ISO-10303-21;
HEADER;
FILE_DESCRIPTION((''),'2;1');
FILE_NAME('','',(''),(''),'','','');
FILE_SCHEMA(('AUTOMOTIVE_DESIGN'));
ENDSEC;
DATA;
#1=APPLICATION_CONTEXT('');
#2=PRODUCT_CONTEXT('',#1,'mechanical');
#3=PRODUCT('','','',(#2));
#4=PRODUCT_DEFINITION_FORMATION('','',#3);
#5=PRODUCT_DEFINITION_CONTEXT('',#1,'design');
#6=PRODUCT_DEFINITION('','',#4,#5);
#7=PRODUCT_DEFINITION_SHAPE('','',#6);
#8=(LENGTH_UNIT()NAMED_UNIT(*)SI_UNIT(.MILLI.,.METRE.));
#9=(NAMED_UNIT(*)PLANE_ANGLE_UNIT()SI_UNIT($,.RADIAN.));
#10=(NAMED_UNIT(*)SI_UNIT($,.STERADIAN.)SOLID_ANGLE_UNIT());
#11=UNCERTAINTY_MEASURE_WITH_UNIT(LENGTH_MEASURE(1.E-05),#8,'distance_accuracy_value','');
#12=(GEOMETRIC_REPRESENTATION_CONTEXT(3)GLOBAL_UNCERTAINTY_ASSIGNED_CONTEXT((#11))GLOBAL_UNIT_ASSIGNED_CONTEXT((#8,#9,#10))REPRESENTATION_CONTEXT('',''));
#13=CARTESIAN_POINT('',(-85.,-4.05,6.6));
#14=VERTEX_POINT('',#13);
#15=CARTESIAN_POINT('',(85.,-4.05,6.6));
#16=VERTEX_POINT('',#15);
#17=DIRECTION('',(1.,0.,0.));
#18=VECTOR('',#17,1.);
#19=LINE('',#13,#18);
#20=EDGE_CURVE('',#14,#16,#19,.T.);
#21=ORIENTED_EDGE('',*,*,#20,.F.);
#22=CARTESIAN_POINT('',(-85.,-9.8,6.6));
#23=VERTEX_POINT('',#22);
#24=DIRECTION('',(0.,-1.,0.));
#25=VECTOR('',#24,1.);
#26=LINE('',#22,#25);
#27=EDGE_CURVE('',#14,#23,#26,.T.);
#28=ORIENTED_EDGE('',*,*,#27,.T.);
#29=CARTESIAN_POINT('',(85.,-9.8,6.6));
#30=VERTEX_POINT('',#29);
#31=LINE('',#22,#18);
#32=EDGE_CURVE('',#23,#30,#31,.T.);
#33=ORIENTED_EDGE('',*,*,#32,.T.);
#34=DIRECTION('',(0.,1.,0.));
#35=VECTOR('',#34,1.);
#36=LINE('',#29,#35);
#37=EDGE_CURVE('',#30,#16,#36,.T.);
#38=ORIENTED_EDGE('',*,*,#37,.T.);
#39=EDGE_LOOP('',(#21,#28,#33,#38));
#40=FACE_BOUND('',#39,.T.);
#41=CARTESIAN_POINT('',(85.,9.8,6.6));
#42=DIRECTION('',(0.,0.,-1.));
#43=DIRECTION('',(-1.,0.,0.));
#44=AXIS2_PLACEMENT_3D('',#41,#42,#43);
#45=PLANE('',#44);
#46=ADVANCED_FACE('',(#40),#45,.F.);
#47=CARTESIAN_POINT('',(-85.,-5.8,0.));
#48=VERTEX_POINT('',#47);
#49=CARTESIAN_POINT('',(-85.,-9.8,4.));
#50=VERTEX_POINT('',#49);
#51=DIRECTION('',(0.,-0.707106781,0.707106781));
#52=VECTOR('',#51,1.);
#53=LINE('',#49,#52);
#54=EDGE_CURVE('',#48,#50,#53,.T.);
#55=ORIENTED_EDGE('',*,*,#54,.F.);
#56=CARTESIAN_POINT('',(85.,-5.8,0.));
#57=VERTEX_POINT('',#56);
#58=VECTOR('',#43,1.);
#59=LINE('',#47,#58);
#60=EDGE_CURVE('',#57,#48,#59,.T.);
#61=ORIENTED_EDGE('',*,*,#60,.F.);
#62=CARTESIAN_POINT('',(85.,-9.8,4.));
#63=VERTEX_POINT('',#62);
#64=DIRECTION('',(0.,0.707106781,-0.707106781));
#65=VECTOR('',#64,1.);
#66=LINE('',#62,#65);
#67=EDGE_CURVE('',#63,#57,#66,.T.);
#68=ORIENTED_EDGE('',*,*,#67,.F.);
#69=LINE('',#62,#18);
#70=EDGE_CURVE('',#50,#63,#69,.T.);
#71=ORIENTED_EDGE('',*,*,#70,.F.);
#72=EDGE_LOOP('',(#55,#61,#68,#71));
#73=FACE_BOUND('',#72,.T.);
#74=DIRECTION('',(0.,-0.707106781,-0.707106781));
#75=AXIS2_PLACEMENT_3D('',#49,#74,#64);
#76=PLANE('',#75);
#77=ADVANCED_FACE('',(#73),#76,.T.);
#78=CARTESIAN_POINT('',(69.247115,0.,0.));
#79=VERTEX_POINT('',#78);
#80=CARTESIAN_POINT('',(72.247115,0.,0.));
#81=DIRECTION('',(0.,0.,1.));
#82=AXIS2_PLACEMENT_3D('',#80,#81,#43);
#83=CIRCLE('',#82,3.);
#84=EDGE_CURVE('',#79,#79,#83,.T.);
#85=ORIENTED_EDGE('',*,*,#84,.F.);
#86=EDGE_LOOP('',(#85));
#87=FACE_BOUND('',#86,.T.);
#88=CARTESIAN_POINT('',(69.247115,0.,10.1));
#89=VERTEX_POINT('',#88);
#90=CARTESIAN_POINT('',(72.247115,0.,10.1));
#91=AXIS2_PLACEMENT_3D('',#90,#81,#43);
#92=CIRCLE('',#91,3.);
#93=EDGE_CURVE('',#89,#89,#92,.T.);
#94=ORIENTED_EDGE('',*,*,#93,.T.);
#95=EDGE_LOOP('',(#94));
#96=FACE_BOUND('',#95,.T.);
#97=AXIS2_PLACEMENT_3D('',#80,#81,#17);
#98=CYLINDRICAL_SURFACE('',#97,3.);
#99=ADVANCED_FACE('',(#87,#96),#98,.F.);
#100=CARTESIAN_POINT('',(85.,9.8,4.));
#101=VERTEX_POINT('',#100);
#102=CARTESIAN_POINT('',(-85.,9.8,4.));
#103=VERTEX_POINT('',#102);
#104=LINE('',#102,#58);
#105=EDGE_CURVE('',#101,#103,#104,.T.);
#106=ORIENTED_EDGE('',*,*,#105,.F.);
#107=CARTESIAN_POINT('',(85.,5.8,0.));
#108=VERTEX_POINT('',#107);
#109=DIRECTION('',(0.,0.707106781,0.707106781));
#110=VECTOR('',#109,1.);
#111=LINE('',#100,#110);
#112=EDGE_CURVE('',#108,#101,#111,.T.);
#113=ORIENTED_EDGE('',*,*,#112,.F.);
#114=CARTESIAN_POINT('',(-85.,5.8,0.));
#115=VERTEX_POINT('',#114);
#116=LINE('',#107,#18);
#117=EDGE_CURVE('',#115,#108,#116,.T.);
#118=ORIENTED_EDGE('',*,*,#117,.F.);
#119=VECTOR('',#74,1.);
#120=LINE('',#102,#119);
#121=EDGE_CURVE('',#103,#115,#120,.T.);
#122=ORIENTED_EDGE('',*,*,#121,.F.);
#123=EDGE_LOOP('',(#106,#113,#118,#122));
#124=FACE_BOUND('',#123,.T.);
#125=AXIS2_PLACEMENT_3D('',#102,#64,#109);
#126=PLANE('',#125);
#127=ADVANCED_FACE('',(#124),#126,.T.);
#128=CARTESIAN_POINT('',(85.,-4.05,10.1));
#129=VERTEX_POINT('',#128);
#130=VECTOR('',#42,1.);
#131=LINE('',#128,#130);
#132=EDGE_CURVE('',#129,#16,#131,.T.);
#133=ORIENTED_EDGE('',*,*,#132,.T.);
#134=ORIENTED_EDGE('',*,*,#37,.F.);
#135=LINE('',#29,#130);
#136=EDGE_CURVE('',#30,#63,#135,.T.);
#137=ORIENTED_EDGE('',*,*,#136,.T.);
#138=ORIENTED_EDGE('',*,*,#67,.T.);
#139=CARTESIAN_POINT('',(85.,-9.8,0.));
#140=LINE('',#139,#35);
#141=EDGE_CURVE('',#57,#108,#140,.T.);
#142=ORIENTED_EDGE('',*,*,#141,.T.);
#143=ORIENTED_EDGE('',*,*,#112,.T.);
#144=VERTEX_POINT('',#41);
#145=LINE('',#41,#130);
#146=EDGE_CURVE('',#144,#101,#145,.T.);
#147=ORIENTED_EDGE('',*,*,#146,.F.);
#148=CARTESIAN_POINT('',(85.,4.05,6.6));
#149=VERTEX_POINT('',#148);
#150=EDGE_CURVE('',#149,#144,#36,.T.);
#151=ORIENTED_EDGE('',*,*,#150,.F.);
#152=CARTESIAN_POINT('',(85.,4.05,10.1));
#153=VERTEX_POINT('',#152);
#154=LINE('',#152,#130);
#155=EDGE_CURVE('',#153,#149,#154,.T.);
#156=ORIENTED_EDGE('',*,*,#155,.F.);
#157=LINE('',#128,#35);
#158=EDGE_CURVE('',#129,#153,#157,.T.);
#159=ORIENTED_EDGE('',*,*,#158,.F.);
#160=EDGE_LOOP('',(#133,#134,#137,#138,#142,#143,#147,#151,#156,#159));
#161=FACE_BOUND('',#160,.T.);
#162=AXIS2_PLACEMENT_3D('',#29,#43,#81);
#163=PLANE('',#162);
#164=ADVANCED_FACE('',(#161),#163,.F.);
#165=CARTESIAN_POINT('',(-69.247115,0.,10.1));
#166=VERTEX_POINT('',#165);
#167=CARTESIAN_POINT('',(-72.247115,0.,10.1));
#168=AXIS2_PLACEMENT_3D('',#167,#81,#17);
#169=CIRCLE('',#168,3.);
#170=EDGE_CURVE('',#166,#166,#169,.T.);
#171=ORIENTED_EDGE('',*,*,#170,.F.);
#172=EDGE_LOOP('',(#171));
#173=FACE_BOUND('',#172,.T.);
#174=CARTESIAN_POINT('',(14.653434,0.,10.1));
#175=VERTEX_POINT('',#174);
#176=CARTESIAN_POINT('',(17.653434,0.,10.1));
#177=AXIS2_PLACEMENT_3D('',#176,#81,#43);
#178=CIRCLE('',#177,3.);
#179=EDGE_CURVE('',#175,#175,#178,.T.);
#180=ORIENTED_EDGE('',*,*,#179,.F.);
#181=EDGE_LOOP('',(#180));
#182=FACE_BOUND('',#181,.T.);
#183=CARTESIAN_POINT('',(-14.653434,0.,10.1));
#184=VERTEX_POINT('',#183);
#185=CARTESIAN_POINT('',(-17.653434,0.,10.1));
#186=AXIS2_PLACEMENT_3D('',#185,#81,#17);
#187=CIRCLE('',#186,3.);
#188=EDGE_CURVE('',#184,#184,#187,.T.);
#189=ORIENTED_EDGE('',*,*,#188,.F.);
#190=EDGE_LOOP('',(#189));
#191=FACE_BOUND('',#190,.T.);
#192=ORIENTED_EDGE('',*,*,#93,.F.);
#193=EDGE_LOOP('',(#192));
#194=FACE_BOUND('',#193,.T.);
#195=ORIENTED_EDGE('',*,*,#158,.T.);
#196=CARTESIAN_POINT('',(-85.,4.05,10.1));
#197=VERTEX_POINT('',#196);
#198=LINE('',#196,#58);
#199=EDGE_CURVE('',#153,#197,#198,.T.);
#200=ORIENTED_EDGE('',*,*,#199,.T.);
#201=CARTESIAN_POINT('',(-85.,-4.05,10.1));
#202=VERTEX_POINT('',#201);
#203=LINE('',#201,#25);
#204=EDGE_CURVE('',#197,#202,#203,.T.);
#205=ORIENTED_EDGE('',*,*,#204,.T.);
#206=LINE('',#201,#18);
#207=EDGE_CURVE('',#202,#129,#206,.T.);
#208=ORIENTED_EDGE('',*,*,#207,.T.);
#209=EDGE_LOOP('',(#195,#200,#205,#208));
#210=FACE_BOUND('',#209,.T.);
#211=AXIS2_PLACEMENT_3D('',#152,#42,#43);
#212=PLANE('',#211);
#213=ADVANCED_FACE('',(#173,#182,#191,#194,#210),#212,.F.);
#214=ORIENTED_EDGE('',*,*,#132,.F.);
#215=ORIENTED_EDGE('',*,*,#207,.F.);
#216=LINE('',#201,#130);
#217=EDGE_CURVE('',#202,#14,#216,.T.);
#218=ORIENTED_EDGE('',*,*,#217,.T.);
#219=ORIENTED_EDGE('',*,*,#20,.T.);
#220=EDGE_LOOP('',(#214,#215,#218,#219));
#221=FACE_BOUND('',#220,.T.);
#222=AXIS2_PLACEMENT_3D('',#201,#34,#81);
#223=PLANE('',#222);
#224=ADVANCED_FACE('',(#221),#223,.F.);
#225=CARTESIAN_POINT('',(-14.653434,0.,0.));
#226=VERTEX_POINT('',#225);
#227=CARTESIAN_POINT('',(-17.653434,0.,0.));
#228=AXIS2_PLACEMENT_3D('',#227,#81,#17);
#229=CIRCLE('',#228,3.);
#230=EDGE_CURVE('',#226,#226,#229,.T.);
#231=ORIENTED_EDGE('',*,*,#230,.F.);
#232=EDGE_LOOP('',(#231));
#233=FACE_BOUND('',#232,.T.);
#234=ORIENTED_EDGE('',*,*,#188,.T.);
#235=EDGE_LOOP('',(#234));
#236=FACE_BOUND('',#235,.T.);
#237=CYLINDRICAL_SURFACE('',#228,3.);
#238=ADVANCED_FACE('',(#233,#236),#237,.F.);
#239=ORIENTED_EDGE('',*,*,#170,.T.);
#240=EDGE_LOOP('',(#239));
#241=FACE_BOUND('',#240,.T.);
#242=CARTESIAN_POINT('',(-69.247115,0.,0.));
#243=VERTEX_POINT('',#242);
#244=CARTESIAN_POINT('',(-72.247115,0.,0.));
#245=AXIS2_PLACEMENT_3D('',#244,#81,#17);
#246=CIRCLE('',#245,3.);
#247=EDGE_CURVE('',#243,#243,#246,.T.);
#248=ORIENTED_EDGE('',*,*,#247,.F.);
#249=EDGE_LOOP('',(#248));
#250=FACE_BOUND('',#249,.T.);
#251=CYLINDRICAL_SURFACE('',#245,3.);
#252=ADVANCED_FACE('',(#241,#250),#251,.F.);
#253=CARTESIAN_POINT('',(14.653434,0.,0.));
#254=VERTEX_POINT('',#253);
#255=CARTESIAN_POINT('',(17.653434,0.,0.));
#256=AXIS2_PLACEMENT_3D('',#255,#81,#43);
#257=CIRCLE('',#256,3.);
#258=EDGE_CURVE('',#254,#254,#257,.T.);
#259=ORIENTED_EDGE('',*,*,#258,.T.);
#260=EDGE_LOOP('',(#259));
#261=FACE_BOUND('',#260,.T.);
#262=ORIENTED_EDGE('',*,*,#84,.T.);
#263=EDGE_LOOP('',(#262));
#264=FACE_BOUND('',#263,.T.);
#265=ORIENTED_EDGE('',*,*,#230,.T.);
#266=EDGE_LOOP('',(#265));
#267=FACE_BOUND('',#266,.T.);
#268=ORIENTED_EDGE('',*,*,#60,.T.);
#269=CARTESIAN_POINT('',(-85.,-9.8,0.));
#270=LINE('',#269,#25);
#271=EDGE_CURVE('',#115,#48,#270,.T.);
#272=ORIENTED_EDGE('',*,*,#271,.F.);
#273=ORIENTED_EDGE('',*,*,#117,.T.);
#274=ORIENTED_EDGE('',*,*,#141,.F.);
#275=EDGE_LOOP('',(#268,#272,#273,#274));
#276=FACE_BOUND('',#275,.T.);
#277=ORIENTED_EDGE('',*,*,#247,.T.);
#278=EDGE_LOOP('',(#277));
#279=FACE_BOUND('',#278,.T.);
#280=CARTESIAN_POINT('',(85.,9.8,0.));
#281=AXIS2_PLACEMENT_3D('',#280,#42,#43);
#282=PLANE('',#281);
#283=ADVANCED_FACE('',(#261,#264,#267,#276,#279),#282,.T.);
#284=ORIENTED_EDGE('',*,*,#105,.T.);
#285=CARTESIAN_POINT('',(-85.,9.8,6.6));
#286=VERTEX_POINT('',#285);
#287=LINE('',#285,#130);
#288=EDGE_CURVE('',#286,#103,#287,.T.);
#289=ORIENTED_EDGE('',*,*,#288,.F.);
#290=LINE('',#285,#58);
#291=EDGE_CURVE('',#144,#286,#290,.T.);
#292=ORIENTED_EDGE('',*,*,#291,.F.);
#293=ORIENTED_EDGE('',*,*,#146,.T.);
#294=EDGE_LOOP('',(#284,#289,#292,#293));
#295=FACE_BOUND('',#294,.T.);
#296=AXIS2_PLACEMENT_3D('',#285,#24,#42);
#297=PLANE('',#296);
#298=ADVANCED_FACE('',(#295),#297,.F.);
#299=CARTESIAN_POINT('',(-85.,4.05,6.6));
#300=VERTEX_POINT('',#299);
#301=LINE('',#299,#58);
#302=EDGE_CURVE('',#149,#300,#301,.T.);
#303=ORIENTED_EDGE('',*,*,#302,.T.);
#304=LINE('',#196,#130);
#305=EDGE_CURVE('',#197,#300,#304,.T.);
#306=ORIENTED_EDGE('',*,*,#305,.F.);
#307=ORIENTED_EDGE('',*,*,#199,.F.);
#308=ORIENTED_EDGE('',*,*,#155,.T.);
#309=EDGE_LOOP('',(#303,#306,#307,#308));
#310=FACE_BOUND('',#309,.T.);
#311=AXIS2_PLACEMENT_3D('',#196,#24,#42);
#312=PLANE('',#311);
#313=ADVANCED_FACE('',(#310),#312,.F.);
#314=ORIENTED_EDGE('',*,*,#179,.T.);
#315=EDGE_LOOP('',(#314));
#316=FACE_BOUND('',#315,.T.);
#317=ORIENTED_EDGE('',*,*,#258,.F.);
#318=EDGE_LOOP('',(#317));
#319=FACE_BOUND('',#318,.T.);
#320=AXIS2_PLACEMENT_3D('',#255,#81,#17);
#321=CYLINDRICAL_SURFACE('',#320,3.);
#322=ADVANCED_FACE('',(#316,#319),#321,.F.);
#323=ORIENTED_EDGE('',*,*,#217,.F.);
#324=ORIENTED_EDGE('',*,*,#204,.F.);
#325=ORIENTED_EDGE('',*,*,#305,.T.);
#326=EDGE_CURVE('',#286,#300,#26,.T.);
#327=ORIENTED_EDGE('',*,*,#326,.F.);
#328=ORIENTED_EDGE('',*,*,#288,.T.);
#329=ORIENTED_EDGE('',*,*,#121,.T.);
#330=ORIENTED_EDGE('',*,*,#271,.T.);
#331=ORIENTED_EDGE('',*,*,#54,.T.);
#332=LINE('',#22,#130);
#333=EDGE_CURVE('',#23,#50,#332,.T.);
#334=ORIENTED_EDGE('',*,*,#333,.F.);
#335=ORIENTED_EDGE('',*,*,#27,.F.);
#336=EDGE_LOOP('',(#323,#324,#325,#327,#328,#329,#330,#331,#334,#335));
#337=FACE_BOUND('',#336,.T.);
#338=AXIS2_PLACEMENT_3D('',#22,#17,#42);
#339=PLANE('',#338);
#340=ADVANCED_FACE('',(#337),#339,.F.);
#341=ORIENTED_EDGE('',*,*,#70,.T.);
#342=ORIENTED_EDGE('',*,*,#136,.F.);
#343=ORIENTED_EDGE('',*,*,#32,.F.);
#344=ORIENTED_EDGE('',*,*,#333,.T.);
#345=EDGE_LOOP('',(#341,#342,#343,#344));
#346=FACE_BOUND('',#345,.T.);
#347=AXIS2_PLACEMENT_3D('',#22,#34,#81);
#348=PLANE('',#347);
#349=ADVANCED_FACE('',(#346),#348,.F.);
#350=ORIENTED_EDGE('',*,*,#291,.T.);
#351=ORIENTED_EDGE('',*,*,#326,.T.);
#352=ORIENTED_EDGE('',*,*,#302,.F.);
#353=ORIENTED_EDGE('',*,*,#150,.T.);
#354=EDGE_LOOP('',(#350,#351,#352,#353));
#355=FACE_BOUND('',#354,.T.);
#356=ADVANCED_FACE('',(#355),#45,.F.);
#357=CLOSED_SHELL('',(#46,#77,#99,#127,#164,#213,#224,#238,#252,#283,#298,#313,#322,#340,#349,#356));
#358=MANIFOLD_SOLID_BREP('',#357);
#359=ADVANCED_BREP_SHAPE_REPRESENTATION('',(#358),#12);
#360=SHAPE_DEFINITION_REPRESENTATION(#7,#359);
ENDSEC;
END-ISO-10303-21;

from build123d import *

# Parameters (mm, degrees)
SKETCH_1_W          = 170
SKETCH_1_H          = 19.6
EXTRUDE_1_DEPTH     = 6.6
SKETCH_2_W          = 170
SKETCH_2_H          = 8.1
EXTRUDE_2_DEPTH     = 3.5
SKETCH_3_R          = 3
CUT_EXTRUDE_1_DEPTH = 87.157123907
CHAMFER_1_SIZE      = 4


with BuildPart() as part:
    # 草图1 → 凸台-拉伸1 (new body)
    with BuildSketch(Plane.XY):
        Rectangle(SKETCH_1_W, SKETCH_1_H)
    extrude(amount=EXTRUDE_1_DEPTH)

    # 草图2 → 凸台-拉伸2 (add)
    with BuildSketch(Plane.XY.offset(6.6)):
        Rectangle(SKETCH_2_W, SKETCH_2_H)
    extrude(amount=EXTRUDE_2_DEPTH)

    # 草图3 → 切除-拉伸1 (cut, through all)
    with BuildSketch(Plane.XY.offset(10.1)):
        with Locations((-72.247114829, 0)):
            Circle(SKETCH_3_R)
        with Locations((-17.653434016, 0)):
            Circle(SKETCH_3_R)
        with Locations(Location((17.653434016, 0, 0), (0, 0, 180))):
            Circle(SKETCH_3_R)
        with Locations(Location((72.247114829, 0, 0), (0, 0, 180))):
            Circle(SKETCH_3_R)
    extrude(amount=-CUT_EXTRUDE_1_DEPTH, mode=Mode.SUBTRACT)

    # 倒角1
    chamfer_1_edges = [part.edges().sort_by_distance(p)[0] for p in [
        (0, -9.8, 0),
        (0, 9.8, 0),
    ]]
    chamfer(chamfer_1_edges, length=CHAMFER_1_SIZE)


solid = part.part
